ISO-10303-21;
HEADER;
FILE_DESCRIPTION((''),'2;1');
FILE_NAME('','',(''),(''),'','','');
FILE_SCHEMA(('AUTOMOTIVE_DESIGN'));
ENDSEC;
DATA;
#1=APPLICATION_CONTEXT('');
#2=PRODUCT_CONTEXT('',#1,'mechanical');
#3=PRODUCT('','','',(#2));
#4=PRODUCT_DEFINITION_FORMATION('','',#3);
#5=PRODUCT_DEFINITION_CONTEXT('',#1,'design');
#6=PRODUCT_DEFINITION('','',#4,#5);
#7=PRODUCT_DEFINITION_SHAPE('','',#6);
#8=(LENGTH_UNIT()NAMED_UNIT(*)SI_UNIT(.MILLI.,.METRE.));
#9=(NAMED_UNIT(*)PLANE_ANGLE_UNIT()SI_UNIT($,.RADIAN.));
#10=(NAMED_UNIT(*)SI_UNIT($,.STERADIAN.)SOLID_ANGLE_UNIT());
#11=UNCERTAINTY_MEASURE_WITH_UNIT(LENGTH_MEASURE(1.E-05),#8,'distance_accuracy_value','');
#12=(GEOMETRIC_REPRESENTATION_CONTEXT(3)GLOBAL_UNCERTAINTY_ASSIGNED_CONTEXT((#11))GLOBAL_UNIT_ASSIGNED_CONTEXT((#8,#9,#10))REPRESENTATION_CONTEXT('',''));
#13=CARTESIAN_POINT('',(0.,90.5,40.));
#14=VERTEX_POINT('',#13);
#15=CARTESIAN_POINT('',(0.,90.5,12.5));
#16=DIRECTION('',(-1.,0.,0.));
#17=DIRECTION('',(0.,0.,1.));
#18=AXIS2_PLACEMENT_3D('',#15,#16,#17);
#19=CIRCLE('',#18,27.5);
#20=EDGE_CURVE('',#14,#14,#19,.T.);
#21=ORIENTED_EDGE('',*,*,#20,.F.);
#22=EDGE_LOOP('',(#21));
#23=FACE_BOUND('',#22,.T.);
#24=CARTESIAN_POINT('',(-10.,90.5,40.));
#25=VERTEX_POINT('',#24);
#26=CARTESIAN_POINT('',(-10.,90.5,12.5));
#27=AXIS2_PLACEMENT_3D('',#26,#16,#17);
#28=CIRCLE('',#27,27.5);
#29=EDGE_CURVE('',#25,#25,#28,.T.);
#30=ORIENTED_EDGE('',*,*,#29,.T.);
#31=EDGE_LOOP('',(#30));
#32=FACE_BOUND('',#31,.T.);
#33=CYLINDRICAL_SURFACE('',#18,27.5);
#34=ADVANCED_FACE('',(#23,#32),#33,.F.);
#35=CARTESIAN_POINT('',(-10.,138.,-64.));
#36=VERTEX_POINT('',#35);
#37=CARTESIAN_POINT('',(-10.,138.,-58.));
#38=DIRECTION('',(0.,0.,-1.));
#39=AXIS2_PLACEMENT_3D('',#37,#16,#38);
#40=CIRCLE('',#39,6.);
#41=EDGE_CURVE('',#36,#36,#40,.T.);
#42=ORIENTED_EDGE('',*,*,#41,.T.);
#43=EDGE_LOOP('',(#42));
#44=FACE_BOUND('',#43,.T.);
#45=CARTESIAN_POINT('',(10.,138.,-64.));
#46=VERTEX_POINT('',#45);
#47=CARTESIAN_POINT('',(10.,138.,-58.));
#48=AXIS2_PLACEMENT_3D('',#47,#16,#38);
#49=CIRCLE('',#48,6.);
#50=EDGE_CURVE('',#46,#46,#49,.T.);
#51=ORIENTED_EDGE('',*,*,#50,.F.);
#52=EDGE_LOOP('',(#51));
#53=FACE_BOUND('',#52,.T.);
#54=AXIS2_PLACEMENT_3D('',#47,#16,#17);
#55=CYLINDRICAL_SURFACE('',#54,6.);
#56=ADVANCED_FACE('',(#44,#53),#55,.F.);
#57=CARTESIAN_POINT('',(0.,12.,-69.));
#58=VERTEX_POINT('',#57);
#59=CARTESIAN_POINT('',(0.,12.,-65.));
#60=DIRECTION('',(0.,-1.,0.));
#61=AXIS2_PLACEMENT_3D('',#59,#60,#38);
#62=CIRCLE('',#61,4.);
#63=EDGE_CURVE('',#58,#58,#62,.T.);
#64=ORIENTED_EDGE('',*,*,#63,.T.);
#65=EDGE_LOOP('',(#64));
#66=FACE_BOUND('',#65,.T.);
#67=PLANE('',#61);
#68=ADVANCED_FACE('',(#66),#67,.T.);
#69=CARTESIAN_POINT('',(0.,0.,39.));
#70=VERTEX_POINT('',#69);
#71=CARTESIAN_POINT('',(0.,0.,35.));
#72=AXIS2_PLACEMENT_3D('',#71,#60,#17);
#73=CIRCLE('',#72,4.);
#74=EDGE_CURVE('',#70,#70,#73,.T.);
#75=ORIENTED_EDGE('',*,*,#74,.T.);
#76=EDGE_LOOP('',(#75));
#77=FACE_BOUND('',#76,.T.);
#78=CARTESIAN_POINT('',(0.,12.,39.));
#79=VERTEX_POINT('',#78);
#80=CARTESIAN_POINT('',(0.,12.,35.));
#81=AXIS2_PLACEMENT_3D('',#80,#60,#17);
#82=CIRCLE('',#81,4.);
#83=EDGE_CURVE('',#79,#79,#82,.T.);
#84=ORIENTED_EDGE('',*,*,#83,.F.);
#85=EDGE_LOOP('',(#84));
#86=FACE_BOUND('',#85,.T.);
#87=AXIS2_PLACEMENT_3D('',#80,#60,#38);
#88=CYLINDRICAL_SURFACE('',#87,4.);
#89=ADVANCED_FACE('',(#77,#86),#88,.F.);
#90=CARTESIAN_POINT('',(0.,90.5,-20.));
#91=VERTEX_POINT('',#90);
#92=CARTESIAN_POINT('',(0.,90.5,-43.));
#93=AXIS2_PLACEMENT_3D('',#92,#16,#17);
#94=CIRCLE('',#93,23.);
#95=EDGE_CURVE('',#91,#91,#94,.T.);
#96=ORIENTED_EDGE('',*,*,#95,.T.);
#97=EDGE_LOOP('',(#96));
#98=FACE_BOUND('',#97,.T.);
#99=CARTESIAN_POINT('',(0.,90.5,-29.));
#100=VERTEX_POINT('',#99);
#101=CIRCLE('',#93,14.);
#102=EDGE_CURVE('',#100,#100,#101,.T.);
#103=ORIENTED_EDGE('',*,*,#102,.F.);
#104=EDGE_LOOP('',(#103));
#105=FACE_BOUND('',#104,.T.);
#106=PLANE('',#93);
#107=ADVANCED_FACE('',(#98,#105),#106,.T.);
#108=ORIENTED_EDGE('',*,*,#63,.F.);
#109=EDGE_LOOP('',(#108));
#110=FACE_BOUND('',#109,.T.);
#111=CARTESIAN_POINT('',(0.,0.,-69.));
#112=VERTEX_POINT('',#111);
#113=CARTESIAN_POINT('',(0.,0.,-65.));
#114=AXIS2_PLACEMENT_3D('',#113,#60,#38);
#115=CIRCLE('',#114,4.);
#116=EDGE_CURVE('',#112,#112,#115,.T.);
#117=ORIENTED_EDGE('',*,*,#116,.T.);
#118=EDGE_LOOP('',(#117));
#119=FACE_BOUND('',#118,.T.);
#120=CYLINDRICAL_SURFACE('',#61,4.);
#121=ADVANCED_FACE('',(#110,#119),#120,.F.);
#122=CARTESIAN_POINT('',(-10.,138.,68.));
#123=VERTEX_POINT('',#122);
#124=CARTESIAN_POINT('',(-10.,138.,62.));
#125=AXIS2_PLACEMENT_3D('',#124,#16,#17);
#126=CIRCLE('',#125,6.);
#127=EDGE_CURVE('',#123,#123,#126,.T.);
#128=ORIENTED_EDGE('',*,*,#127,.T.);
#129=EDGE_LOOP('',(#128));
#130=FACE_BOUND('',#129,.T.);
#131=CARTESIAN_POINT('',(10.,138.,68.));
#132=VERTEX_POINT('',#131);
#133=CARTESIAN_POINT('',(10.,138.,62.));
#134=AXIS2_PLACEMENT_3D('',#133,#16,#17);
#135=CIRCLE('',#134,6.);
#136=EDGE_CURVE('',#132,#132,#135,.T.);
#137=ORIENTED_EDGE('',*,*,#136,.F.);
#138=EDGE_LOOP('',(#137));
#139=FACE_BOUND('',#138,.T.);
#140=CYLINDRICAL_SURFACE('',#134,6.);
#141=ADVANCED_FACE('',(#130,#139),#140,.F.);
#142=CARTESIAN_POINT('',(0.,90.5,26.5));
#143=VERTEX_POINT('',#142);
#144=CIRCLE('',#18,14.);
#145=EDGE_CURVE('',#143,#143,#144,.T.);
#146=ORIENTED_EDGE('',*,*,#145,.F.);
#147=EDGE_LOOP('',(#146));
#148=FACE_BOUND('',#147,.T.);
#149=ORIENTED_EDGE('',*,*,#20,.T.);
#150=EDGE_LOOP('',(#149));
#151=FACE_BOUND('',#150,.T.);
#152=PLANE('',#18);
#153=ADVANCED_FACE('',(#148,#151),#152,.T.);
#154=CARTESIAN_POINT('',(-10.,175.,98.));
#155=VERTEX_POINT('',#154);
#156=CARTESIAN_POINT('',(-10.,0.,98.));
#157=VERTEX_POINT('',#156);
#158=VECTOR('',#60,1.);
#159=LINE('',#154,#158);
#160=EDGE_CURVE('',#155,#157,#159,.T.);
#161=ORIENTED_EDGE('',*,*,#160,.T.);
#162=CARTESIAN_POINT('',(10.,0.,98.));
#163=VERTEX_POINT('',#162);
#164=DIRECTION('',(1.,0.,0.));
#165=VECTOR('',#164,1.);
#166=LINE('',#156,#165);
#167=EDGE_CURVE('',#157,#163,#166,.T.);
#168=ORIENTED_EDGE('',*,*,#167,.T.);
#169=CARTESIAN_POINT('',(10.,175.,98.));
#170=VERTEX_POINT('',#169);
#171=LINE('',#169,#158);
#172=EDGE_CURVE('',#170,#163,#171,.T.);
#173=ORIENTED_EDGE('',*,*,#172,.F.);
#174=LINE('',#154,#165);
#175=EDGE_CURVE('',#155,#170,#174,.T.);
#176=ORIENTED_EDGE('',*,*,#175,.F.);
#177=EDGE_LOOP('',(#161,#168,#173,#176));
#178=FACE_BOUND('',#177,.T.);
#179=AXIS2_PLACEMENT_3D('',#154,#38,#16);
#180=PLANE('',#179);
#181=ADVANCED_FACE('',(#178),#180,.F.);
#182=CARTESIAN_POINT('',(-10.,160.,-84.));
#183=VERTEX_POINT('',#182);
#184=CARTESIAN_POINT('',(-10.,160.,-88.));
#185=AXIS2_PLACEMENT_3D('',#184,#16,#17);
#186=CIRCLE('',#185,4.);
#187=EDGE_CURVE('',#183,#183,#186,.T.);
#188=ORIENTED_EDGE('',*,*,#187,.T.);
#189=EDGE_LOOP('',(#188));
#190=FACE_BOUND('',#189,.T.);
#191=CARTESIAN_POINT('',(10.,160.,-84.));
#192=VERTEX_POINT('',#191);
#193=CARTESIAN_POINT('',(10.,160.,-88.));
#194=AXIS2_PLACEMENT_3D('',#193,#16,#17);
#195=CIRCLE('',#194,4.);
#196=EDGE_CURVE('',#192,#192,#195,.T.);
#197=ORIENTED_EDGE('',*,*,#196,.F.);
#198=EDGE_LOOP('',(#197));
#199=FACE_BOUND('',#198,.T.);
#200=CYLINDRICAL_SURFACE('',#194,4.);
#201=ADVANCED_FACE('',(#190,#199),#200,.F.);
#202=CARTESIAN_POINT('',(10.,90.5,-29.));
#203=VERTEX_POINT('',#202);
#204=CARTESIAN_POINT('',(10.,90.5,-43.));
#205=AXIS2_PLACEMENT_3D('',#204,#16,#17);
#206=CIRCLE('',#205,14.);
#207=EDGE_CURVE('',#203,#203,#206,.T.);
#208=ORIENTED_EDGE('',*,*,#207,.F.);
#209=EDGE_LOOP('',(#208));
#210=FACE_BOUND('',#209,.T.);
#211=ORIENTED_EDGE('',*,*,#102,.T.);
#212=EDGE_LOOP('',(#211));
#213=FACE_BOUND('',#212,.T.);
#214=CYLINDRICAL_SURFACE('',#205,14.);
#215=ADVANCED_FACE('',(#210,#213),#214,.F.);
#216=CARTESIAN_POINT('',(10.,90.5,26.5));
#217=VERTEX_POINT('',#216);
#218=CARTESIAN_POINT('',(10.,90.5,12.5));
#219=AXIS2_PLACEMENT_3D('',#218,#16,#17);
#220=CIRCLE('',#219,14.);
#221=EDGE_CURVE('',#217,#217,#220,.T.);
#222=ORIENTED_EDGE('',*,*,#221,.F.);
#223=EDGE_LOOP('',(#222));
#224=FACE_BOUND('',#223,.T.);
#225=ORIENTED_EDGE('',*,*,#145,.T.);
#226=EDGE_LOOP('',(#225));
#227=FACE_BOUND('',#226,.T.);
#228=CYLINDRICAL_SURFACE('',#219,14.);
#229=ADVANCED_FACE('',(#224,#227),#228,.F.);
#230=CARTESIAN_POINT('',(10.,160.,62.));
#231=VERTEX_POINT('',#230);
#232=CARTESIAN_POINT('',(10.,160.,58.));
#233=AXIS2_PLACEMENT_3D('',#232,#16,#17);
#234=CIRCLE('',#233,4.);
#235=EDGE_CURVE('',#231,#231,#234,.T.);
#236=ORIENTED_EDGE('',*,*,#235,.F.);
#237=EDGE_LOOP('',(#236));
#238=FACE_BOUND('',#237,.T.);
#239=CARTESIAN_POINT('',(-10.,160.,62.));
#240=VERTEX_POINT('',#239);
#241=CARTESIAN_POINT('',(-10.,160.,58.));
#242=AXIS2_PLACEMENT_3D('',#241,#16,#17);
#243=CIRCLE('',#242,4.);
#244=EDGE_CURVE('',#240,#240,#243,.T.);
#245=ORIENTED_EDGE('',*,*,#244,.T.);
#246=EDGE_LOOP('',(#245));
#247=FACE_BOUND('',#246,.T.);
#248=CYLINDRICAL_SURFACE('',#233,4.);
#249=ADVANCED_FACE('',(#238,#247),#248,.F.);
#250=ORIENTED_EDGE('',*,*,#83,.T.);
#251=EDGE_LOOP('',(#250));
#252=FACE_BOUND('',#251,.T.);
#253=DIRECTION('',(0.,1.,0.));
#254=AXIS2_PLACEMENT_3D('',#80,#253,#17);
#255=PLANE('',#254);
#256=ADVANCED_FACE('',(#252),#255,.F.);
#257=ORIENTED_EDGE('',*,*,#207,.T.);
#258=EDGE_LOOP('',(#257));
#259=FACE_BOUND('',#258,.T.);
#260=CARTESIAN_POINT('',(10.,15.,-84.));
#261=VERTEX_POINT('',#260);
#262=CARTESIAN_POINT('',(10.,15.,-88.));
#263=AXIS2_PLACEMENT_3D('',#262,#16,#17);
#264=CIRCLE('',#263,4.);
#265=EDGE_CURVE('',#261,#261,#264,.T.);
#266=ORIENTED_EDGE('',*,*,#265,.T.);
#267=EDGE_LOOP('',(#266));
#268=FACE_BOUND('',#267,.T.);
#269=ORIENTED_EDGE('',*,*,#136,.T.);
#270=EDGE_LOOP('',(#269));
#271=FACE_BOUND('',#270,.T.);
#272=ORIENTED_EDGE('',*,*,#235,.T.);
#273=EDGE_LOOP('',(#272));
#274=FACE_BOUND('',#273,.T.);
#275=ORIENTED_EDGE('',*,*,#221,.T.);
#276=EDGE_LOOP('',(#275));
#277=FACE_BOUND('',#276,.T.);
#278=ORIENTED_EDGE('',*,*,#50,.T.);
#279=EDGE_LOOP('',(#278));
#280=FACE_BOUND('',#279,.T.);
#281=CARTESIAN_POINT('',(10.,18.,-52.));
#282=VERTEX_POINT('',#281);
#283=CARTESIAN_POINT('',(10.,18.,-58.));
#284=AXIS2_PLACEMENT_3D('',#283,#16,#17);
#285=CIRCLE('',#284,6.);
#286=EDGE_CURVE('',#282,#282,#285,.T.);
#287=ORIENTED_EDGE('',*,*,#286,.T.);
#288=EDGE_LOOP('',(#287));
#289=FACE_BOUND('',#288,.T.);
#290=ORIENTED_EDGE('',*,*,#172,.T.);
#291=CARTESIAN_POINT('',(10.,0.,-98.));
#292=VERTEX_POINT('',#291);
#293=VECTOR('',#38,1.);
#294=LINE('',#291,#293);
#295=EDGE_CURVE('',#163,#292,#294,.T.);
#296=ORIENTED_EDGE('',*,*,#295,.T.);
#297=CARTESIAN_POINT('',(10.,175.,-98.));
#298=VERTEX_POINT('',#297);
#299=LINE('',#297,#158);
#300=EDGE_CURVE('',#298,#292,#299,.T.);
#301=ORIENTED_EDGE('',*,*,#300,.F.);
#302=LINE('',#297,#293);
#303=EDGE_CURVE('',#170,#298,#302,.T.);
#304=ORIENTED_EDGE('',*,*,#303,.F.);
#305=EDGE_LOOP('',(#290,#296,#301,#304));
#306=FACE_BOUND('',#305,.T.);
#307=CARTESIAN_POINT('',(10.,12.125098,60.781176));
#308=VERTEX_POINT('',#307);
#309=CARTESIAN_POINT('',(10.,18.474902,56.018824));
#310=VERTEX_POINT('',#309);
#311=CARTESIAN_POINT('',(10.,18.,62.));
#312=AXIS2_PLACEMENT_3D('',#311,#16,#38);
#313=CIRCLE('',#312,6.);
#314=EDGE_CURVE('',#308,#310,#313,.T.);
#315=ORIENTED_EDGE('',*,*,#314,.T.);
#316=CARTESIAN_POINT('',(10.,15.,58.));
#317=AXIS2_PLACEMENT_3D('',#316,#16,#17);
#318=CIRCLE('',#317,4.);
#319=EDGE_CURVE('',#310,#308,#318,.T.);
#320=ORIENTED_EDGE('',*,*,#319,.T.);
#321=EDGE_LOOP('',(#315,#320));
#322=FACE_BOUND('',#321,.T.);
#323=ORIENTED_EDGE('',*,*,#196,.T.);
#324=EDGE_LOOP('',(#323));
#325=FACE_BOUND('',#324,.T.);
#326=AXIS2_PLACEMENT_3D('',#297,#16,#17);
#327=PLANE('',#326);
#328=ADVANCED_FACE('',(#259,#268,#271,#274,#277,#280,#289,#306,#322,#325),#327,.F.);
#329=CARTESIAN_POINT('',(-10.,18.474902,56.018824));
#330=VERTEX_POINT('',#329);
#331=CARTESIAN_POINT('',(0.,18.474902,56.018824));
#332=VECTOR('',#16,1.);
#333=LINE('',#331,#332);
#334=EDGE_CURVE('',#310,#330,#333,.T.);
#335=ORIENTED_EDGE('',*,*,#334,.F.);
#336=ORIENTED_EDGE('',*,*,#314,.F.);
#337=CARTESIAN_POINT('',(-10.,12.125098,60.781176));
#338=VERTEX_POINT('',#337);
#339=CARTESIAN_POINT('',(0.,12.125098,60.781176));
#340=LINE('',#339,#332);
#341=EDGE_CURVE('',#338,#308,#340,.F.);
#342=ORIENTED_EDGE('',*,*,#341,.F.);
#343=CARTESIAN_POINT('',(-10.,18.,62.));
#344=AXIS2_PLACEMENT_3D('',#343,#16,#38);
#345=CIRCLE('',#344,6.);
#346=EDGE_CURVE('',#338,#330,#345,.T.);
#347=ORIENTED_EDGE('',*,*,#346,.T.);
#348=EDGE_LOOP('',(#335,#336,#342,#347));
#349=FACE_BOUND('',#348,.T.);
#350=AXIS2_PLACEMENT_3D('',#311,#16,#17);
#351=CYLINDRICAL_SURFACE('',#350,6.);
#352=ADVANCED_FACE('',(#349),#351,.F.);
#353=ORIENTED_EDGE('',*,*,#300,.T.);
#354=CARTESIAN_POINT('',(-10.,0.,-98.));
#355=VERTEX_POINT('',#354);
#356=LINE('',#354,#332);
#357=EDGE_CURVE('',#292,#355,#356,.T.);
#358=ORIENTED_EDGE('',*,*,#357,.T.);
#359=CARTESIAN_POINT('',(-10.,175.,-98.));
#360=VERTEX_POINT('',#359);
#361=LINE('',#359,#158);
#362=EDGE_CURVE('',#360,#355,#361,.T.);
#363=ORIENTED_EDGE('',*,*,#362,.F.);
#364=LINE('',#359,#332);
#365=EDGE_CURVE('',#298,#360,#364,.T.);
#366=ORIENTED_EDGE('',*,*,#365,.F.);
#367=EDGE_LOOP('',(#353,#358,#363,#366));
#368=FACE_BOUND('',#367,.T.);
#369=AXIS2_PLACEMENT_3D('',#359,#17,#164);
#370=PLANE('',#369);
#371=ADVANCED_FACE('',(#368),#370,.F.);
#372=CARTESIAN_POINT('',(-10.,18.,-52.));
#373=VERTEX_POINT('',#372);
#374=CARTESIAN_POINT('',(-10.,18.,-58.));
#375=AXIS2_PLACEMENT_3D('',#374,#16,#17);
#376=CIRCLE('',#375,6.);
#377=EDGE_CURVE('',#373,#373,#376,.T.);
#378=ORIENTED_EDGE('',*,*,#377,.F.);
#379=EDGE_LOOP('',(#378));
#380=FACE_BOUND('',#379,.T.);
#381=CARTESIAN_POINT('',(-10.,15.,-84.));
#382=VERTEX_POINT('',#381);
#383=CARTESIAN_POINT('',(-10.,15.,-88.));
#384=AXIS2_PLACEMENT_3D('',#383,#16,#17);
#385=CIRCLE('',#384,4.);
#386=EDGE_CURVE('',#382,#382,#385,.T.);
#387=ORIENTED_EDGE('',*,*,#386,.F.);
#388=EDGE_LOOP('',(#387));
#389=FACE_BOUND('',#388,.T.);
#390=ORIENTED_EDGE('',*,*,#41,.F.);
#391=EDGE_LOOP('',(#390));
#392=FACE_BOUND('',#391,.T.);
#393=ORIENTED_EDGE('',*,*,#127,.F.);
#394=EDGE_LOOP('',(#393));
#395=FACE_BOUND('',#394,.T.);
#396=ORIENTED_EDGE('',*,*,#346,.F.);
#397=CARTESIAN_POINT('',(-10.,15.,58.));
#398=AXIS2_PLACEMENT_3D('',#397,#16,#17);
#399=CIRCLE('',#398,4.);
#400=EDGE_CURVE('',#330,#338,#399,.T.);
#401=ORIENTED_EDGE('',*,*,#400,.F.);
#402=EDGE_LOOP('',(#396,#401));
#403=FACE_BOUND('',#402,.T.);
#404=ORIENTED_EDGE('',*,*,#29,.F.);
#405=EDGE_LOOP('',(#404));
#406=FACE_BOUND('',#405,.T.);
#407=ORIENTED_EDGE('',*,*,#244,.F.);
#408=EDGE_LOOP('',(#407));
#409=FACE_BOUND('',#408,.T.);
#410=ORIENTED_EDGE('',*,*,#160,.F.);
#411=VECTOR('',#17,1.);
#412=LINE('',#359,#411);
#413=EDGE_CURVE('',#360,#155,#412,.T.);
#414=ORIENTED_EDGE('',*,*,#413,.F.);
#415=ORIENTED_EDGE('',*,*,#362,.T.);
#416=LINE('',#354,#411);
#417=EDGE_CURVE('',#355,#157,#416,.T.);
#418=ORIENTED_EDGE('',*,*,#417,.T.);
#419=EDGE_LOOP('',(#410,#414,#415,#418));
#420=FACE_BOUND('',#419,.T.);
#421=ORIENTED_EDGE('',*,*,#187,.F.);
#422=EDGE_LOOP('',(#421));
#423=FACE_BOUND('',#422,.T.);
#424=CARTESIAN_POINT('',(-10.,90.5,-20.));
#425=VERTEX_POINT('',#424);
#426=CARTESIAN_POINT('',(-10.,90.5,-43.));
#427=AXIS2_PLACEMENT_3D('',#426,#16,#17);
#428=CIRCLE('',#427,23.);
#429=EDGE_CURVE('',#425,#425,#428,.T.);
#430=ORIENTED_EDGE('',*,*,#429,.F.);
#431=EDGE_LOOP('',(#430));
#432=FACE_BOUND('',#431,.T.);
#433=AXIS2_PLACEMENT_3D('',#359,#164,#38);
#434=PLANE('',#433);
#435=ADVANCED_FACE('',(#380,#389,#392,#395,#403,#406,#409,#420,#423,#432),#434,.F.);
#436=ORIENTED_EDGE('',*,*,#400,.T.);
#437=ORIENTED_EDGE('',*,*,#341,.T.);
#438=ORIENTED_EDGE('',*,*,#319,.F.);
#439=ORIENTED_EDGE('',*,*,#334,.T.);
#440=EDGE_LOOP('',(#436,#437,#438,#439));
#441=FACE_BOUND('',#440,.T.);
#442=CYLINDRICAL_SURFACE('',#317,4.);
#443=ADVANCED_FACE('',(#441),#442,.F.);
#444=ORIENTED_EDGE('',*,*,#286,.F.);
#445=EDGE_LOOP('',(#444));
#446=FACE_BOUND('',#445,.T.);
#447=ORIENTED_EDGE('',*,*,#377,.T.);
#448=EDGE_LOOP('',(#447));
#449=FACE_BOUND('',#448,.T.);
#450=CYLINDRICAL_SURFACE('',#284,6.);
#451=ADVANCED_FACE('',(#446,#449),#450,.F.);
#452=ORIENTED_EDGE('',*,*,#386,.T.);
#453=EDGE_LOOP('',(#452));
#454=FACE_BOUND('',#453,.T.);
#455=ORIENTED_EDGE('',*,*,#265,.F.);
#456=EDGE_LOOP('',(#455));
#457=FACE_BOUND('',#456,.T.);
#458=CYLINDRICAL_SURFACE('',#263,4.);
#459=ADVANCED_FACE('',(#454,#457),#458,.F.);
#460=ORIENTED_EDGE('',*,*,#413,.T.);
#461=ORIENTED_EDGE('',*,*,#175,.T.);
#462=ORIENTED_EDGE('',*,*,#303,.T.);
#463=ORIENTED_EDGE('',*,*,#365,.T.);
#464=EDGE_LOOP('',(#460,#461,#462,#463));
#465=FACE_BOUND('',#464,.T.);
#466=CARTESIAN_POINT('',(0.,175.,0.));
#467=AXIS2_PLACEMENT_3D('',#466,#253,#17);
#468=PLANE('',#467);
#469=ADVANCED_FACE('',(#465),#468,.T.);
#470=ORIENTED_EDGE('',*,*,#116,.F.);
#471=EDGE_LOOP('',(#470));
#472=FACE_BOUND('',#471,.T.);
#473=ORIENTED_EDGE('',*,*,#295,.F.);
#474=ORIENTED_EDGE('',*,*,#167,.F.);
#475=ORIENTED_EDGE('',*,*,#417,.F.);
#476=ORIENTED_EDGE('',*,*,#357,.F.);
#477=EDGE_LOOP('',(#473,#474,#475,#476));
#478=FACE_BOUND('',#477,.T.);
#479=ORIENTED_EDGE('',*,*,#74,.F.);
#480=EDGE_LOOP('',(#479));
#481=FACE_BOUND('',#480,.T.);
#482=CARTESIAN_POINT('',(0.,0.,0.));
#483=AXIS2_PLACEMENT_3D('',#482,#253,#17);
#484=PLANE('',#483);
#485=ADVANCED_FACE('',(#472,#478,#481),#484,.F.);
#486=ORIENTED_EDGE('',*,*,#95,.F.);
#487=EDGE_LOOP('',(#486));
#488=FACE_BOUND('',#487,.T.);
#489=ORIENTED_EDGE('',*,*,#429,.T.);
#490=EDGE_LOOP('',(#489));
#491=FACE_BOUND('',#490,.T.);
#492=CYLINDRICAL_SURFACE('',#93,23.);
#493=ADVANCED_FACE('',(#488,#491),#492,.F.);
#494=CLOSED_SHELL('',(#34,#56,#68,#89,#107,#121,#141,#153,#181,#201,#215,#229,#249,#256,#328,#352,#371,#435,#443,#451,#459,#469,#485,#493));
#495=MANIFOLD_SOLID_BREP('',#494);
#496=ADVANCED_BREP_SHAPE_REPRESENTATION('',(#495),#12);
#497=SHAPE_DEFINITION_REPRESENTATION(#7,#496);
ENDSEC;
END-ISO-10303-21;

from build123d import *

# Parameters (mm, degrees)
SKETCH1_W           = 20
SKETCH1_H           = 196
BOSS_EXTRUDE1_DEPTH = 175
SKETCH2_R           = 27.5
SKETCH2_R_2         = 23
CUT_EXTRUDE1_DEPTH  = 10
SKETCH3_R           = 14
CUT_EXTRUDE2_DEPTH  = 201.820815654
SKETCH4_R           = 4
CUT_EXTRUDE3_DEPTH  = 202.566366242
SKETCH5_R           = 6
CUT_EXTRUDE4_DEPTH  = 202.566366242
SKETCH6_R           = 4
CUT_EXTRUDE6_DEPTH  = 12


with BuildPart() as part:
    # Sketch1 → Boss-Extrude1 (new body)
    with BuildSketch(Plane(origin=(114, 0, 0), x_dir=(1, 0, 0), z_dir=(0, 1, 0))):
        with Locations((-114, 0)):
            Rectangle(SKETCH1_W, SKETCH1_H)
    extrude(amount=BOSS_EXTRUDE1_DEPTH)

    # Sketch2 → Cut-Extrude1 (cut)
    with BuildSketch(Plane.ZY.offset(10)):
        with Locations((12.5, 90.5)):
            Circle(SKETCH2_R)
        with Locations((-43, 90.5)):
            Circle(SKETCH2_R_2)
    extrude(amount=-CUT_EXTRUDE1_DEPTH, mode=Mode.SUBTRACT)

    # Sketch3 → Cut-Extrude2 (cut, through all)
    with BuildSketch(Plane.ZY):
        with Locations((12.5, 90.5)):
            Circle(SKETCH3_R)
        with Locations((-43, 90.5)):
            Circle(SKETCH3_R)
    extrude(amount=-CUT_EXTRUDE2_DEPTH, mode=Mode.SUBTRACT)

    # Sketch4 → Cut-Extrude3 (cut, through all)
    with BuildSketch(Plane.ZY.offset(10)):
        with Locations((58, 15)):
            Circle(SKETCH4_R)
        with Locations((-88, 15)):
            Circle(SKETCH4_R)
        with Locations((-88, 160)):
            Circle(SKETCH4_R)
        with Locations((58, 160)):
            Circle(SKETCH4_R)
    extrude(amount=-CUT_EXTRUDE3_DEPTH, mode=Mode.SUBTRACT)

    # Sketch5 → Cut-Extrude4 (cut, through all)
    with BuildSketch(Plane.ZY.offset(10)):
        with Locations((62, 138)):
            Circle(SKETCH5_R)
        with Locations((62, 18)):
            Circle(SKETCH5_R)
        with Locations(Location((-58, 138, 0), (0, 0, 180))):
            Circle(SKETCH5_R)
        with Locations((-58, 18)):
            Circle(SKETCH5_R)
    extrude(amount=-CUT_EXTRUDE4_DEPTH, mode=Mode.SUBTRACT)

    # Sketch6 → Cut-Extrude6 (cut)
    with BuildSketch(Plane.XZ):
        with Locations(Location((0, -65, 0), (0, 0, 270))):
            Circle(SKETCH6_R)
        with Locations(Location((0, 35, 0), (0, 0, 90))):
            Circle(SKETCH6_R)
    extrude(amount=-CUT_EXTRUDE6_DEPTH, mode=Mode.SUBTRACT)


solid = part.part
